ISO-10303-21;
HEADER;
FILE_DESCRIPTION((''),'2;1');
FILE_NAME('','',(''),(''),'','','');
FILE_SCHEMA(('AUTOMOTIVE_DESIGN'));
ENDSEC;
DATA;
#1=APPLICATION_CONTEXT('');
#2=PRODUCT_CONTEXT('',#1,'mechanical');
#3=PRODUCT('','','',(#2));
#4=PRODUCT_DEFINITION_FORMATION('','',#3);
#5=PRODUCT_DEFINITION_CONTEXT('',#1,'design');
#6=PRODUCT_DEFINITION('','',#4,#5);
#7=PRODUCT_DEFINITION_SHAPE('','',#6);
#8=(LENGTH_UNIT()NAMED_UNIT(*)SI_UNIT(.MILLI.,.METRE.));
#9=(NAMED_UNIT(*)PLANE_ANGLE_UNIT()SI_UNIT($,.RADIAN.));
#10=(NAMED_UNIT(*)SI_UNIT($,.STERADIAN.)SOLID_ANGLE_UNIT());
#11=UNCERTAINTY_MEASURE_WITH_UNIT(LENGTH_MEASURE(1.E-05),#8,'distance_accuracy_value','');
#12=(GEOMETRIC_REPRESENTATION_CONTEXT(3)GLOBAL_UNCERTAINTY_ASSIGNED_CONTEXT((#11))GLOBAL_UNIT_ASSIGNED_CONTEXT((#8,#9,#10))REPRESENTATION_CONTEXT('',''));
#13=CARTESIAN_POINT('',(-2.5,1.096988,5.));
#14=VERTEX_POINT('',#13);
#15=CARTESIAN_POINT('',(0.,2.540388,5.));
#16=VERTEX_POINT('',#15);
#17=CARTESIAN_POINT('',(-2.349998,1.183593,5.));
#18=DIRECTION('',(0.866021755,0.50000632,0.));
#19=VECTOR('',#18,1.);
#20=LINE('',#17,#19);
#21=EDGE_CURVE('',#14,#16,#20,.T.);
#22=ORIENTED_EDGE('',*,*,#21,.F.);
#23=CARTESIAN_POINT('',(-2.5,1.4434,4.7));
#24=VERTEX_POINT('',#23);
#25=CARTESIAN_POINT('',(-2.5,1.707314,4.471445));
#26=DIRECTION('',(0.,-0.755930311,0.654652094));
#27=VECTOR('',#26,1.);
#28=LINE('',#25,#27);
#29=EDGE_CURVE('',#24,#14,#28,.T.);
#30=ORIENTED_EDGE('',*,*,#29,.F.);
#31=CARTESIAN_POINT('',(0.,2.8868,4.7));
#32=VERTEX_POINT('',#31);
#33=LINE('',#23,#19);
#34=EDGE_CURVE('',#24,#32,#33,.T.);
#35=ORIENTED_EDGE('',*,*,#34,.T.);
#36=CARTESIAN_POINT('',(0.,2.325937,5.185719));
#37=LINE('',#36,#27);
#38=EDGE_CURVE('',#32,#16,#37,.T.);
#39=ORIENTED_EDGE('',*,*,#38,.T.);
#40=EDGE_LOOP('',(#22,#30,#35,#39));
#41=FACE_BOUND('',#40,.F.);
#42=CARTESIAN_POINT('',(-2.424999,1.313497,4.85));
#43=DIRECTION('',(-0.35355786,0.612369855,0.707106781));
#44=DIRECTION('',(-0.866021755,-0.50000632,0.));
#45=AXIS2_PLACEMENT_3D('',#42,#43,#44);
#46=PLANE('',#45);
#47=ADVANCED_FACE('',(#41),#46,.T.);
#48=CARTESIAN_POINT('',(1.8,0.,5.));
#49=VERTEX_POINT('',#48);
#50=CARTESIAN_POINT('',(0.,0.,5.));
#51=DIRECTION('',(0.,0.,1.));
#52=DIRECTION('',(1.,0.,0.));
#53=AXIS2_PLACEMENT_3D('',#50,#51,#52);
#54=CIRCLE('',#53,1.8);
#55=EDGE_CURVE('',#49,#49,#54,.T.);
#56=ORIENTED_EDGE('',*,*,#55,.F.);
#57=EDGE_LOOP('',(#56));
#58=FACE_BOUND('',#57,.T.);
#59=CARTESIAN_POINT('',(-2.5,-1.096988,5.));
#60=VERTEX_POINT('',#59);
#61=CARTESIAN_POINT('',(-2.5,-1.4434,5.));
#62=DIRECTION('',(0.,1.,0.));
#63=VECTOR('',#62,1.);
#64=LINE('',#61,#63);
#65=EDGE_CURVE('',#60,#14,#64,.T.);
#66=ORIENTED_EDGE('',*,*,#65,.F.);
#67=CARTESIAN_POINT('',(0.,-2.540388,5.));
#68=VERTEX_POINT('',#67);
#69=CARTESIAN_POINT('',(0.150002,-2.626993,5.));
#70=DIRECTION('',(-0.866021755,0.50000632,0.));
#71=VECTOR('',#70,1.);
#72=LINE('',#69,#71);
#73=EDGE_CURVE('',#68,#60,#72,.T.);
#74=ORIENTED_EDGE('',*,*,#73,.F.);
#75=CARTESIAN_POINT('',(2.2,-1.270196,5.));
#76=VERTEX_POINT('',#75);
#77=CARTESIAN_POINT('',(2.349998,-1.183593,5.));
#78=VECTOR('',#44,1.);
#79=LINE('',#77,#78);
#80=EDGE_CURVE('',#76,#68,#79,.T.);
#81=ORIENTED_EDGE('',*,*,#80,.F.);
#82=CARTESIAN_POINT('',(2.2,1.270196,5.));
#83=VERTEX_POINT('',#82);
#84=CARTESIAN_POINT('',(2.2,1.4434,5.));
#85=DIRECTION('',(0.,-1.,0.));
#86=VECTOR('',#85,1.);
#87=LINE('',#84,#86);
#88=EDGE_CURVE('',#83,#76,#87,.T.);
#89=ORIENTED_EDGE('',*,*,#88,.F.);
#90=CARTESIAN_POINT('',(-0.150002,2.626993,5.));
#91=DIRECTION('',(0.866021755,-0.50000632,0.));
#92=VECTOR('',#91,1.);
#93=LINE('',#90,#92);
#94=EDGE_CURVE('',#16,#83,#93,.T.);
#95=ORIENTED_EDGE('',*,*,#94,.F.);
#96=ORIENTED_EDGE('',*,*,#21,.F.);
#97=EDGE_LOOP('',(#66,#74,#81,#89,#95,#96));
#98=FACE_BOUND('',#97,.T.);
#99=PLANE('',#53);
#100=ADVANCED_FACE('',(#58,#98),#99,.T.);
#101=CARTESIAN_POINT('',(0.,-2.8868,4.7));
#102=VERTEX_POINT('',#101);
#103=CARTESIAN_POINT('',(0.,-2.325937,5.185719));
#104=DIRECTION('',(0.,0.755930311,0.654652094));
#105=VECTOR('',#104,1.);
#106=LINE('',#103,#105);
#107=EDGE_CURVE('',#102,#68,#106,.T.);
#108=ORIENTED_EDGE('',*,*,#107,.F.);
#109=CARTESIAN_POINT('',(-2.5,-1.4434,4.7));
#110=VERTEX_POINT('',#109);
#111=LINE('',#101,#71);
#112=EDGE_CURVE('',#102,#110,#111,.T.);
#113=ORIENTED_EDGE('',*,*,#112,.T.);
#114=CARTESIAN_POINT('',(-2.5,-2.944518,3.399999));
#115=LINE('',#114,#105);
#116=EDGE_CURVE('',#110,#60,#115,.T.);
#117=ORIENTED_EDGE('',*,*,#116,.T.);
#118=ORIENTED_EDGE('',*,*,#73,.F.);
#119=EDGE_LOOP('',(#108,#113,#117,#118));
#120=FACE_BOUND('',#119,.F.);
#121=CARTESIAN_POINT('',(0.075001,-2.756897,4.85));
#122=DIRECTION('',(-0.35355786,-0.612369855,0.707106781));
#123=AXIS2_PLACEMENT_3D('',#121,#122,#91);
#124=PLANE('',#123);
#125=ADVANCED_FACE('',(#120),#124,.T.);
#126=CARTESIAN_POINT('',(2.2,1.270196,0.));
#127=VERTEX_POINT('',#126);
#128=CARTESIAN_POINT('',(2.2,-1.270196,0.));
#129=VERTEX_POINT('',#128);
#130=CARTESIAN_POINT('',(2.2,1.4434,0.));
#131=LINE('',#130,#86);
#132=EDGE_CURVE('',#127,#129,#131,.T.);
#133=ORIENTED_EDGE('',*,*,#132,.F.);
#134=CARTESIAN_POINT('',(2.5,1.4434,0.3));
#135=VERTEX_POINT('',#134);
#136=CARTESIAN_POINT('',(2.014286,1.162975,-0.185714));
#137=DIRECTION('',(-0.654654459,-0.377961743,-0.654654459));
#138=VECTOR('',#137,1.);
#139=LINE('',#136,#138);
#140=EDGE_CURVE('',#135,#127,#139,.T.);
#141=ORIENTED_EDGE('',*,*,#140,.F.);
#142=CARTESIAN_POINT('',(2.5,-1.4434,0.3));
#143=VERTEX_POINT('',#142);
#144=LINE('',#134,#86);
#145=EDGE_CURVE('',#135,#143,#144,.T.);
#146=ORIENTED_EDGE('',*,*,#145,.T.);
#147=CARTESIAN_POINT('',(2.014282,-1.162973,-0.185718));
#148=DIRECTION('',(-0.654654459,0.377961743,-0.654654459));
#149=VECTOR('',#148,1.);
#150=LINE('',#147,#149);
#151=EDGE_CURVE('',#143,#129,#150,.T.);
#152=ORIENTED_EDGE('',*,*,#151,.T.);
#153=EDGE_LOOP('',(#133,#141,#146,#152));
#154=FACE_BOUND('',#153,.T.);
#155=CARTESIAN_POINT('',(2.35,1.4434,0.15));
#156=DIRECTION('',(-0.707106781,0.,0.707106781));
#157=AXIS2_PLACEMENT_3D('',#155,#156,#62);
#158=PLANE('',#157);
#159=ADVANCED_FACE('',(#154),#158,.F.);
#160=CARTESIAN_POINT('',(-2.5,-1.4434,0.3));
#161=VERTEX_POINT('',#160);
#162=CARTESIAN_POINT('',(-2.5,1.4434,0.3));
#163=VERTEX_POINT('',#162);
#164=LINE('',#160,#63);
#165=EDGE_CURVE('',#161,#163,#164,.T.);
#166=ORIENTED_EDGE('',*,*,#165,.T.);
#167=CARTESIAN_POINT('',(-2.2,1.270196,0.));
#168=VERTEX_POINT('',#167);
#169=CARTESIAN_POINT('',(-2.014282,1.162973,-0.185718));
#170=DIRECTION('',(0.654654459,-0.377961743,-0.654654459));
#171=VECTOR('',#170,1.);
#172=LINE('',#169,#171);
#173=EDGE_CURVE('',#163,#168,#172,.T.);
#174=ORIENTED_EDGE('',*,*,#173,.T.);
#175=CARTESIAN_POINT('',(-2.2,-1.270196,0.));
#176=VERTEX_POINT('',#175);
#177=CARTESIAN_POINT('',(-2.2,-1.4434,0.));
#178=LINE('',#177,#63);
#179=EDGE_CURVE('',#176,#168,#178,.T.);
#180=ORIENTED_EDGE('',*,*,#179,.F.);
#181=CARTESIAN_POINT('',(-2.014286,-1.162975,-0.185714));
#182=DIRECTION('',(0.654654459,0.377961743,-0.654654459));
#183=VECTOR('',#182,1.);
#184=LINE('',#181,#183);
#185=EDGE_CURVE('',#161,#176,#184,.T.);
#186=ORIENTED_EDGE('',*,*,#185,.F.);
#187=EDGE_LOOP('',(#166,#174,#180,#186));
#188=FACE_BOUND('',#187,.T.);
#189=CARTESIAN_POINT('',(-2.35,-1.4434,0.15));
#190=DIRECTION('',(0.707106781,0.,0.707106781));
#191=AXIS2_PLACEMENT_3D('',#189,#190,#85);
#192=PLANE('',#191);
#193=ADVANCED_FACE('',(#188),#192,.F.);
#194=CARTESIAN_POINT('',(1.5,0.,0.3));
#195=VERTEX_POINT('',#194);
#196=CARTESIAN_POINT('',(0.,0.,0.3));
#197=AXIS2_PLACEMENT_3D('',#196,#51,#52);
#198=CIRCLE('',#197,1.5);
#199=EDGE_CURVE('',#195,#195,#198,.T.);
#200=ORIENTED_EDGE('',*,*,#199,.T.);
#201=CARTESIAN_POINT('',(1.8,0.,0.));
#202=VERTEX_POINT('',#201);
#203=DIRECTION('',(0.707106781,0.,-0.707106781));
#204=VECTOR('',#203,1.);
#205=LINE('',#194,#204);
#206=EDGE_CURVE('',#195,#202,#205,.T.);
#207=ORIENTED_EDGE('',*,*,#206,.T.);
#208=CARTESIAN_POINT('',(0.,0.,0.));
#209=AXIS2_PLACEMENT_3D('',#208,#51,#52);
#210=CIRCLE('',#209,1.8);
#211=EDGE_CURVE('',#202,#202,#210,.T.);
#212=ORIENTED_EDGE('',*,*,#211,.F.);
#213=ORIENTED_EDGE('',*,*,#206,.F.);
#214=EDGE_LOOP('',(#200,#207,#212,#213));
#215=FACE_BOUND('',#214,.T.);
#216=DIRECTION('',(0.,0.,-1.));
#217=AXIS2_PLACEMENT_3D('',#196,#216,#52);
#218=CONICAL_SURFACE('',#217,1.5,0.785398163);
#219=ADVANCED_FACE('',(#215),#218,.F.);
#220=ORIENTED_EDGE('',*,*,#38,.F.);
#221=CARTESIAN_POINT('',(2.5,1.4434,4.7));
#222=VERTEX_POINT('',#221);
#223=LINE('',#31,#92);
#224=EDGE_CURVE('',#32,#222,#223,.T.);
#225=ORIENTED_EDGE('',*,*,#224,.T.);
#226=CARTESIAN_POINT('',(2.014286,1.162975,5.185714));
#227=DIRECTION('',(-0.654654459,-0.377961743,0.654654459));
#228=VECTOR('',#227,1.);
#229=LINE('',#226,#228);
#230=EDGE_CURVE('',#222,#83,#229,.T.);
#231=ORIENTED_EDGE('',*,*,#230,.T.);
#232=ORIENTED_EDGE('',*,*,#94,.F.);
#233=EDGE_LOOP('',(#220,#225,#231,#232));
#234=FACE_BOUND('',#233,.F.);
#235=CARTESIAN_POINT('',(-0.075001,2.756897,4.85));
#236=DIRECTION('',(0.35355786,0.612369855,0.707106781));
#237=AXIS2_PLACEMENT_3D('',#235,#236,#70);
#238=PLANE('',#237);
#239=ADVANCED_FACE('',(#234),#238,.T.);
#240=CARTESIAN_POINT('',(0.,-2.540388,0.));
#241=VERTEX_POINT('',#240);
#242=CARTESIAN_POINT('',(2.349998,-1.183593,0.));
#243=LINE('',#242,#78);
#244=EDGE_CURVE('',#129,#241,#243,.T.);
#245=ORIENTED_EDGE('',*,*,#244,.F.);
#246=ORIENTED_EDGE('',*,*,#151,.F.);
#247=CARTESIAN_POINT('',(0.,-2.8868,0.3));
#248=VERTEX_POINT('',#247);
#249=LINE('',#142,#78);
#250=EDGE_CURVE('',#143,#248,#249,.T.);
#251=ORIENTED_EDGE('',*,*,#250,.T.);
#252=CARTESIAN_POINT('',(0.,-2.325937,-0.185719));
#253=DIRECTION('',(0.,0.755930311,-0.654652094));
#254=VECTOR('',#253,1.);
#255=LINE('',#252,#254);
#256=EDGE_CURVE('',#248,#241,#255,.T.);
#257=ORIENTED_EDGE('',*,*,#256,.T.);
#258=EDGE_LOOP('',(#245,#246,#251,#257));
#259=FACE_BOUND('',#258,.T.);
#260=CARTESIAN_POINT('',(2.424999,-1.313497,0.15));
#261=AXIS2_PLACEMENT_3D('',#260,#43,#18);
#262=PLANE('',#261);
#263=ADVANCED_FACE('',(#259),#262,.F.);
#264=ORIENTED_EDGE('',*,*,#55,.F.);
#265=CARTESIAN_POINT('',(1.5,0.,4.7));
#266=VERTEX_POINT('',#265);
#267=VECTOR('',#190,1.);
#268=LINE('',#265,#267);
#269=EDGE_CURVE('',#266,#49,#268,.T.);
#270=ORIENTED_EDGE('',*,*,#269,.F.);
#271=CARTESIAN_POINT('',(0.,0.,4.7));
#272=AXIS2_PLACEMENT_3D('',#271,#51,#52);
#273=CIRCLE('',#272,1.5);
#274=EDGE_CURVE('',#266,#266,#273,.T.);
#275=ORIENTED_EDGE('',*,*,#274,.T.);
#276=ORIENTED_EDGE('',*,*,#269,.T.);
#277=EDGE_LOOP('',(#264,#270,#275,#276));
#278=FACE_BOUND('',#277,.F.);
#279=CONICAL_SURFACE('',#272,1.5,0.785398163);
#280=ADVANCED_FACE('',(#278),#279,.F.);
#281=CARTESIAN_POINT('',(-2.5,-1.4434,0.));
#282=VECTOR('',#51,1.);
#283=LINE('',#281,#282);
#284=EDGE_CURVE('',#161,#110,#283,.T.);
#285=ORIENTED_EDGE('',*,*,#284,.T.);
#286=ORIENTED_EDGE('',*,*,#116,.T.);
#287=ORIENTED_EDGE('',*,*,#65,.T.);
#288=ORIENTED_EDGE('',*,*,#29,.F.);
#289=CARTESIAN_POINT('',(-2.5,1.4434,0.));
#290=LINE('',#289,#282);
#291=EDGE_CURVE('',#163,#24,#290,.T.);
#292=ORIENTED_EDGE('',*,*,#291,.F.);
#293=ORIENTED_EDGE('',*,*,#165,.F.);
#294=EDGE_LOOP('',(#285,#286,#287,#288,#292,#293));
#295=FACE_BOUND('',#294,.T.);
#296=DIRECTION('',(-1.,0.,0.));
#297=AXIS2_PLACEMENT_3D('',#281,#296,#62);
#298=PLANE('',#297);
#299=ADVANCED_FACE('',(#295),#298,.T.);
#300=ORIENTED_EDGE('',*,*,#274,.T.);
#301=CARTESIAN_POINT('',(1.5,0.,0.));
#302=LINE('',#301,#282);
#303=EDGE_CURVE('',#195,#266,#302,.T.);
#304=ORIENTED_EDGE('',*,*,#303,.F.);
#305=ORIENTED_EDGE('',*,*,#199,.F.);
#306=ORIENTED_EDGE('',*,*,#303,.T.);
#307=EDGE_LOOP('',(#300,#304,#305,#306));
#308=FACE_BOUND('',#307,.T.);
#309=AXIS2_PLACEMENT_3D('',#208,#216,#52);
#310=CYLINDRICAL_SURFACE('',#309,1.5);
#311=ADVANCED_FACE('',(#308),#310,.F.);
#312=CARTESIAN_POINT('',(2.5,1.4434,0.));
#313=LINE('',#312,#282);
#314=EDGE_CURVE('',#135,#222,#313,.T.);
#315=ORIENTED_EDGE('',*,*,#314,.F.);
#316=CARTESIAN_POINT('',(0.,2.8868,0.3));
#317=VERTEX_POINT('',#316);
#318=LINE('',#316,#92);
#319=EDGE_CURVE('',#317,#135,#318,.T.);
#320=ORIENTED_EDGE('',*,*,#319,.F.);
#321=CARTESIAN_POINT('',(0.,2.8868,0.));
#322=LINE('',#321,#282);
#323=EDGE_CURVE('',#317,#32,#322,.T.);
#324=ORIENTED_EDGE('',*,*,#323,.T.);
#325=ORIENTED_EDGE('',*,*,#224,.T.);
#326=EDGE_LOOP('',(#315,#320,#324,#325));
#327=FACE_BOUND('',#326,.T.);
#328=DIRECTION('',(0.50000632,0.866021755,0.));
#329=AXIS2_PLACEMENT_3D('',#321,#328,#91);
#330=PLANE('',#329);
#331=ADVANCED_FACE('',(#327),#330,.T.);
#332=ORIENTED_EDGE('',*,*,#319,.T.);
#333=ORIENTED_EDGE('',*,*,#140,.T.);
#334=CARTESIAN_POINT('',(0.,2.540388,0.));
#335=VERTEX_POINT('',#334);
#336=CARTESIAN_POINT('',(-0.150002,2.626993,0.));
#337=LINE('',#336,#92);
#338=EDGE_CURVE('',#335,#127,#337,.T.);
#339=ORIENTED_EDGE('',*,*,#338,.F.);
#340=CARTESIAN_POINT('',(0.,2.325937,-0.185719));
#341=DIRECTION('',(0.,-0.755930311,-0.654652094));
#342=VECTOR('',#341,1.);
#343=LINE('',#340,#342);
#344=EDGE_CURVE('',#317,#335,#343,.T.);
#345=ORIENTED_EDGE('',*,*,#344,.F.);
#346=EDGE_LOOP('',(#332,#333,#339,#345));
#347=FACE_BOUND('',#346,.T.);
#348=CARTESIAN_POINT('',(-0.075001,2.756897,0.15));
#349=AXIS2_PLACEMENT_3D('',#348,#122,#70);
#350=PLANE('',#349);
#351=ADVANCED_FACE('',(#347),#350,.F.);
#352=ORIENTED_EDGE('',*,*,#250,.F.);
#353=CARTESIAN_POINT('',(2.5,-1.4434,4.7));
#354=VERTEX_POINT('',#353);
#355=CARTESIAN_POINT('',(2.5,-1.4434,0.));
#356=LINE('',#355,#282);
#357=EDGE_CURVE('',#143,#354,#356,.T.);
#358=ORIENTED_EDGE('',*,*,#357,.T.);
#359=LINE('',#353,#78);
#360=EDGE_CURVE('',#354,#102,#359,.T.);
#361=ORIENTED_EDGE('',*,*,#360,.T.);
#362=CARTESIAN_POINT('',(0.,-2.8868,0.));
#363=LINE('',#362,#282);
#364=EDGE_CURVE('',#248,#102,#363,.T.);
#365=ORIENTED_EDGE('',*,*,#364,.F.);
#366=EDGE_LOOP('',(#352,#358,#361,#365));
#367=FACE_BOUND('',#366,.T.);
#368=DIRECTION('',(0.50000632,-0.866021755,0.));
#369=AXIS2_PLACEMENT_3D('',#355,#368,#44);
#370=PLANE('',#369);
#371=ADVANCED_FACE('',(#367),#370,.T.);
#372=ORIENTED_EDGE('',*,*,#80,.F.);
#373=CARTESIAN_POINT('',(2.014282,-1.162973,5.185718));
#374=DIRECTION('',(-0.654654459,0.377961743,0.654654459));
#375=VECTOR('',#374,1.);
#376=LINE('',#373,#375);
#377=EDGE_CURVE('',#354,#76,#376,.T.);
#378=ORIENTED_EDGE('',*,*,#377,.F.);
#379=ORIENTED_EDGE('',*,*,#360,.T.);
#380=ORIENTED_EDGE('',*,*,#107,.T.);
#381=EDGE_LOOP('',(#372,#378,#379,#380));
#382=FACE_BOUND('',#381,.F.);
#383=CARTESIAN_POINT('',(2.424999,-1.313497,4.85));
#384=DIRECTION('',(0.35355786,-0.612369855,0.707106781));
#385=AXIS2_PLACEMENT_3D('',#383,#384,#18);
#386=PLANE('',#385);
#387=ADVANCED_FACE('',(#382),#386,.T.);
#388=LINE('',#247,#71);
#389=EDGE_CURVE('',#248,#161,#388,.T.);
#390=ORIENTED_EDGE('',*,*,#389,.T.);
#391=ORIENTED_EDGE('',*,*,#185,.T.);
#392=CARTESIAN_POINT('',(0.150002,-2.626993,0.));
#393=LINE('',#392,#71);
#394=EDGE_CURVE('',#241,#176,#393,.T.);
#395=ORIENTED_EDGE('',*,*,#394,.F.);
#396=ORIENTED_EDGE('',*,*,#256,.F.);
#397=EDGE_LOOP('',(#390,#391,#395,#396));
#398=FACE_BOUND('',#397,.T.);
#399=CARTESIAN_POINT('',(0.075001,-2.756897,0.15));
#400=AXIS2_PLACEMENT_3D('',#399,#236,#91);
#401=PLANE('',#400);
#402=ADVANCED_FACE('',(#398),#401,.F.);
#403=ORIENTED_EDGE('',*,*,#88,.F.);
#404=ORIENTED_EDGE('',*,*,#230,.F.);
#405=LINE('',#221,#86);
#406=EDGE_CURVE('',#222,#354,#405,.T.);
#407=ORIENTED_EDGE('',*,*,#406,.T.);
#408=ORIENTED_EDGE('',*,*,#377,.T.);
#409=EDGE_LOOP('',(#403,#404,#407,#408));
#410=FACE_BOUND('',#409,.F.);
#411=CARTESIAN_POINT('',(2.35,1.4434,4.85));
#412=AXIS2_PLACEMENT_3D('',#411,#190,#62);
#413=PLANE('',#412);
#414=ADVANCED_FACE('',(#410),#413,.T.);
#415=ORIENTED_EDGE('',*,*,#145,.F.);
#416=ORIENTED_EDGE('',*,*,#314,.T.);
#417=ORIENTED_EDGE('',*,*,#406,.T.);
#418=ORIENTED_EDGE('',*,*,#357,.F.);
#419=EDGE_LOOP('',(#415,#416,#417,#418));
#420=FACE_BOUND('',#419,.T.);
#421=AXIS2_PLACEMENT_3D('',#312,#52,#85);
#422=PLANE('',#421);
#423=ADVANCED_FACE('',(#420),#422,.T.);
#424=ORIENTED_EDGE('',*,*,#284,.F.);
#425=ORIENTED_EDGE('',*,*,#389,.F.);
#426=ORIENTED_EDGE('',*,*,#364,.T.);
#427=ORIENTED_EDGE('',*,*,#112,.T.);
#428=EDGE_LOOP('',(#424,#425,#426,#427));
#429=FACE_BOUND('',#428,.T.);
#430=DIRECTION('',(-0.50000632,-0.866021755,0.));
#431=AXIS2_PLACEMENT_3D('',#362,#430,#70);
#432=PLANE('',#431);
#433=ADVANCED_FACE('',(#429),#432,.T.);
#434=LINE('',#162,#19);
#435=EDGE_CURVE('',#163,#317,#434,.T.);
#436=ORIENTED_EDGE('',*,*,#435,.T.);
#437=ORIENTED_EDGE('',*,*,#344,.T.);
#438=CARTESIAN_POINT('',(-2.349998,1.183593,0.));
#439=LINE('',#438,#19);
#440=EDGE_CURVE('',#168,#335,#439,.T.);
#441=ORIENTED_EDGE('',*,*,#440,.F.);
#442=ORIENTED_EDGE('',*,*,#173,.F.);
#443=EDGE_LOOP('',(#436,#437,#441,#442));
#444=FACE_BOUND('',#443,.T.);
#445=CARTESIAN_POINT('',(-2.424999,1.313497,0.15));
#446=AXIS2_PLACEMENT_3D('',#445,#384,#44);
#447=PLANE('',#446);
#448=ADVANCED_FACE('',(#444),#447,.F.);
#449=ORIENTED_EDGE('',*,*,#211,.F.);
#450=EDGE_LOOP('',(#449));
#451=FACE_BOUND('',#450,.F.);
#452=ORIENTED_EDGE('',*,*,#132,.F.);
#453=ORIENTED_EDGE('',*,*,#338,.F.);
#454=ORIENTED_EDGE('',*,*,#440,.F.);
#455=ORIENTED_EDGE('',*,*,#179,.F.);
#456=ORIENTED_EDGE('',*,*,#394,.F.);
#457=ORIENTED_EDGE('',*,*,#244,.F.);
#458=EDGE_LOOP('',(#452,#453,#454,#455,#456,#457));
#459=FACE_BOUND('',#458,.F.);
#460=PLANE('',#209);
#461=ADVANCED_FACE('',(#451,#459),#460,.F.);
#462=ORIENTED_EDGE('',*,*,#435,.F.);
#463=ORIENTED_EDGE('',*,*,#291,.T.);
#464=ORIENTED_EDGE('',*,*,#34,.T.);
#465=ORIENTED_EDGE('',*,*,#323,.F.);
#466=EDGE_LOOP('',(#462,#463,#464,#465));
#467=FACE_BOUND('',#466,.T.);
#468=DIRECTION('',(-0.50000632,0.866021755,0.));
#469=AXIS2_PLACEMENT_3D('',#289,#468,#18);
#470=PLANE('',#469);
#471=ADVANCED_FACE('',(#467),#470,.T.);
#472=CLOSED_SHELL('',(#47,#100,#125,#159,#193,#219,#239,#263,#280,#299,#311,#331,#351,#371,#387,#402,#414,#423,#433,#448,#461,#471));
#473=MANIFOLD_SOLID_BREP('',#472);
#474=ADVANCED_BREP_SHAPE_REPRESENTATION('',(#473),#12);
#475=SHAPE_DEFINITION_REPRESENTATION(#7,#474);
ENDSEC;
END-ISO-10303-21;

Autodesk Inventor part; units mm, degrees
ref_plane "YZ Plane" through (0, 0, 0) normal (1, 0, 0) x (0, 1, 0)
ref_plane "XZ Plane" through (0, 0, 0) normal (0, 1, 0) x (-1, 0, 0)
ref_plane "XY Plane" through (0, 0, 0) normal (0, 0, 1) x (1, 0, 0)
sketch "Skizze1" plane through (0, 0, 0) normal (0, 0, 1) x (1, 0, 0)
  line L0 (0, 2.8868) -> (2.5, 1.4434)
  line L1 (2.5, 1.4434) -> (2.5, -1.4434)
  line L2 (2.5, -1.4434) -> (0, -2.8868)
  line L3 (0, -2.8868) -> (-2.5, -1.4434)
  line L4 (-2.5, -1.4434) -> (-2.5, 1.4434)
  line L5 (-2.5, 1.4434) -> (0, 2.8868)
  circle A0 centre (0, 0) radius 1.5
  dimension "d0" = 5
  dimension "d1" = 3
extrude "Extrusion1" add sketch "Skizze1" along normal blind 5
chamfer "Fase1" distance 0.3 angle 45 13 edges at (1.25, -2.1651, 5) (-1.25, -2.1651, 5) (2.5, 0, 5) (1.25, 2.1651, 5) (-1.25, 2.1651, 5) (1.25, -2.1651, 0) (2.5, 0, 0) (-1.25, -2.1651, 0) (1.25, 2.1651, 0) (-1.25, 2.1651, 0) (-2.5, 0, 0) (-1.5, 0, 5) (-1.5, 0, 0)
thread "Gewinde1" size "M3x0.5" class "6H" standard "ANSI Metric M Profile" full length
properties part number "Distanzhuelse_M3x5mm" material "Nickel-Kupfer-Legierung 400"
